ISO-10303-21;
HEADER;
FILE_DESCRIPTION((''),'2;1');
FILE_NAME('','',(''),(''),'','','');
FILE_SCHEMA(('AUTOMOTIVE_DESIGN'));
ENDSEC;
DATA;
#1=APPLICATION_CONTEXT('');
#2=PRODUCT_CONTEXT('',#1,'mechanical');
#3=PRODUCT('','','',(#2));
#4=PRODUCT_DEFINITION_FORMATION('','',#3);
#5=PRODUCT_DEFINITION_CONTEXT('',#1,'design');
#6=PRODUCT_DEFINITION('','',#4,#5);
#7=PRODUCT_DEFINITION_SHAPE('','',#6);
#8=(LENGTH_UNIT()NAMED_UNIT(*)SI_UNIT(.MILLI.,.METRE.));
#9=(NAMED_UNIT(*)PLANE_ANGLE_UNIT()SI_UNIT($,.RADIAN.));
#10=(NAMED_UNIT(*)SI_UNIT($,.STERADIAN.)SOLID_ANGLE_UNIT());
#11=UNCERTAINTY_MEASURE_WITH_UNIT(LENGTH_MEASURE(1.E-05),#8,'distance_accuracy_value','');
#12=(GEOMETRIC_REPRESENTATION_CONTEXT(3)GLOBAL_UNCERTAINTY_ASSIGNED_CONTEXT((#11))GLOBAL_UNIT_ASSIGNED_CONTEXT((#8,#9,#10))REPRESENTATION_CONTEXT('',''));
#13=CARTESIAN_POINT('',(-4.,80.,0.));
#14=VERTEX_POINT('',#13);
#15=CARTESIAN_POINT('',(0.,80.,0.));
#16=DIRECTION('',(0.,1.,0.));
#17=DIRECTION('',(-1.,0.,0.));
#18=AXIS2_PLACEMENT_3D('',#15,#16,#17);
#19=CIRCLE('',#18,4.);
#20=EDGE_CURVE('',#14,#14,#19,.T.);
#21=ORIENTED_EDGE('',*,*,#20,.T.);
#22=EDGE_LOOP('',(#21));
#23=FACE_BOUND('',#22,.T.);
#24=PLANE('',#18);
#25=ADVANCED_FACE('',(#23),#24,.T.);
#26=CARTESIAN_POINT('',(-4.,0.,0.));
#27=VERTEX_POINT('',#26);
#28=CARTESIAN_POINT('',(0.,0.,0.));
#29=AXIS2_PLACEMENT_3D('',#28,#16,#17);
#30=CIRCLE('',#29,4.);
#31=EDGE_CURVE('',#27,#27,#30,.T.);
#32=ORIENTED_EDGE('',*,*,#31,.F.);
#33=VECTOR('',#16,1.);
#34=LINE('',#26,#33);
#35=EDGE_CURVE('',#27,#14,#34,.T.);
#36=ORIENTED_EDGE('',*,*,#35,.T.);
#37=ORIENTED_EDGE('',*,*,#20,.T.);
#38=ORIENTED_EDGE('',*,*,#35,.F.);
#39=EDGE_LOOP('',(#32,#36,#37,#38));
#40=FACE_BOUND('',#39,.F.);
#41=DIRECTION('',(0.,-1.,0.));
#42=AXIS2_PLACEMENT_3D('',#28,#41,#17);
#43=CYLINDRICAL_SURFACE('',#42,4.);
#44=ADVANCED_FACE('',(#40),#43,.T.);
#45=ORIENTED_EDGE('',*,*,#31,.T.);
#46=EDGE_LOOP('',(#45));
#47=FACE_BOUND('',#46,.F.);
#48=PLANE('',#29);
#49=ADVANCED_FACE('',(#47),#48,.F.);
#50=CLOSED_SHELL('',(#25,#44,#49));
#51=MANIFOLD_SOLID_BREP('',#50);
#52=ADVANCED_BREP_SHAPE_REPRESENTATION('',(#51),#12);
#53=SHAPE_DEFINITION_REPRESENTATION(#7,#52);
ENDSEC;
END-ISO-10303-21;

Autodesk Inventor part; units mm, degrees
ref_plane "YZ Plane" through (0, 0, 0) normal (1, 0, 0) x (0, 1, 0)
ref_plane "XZ Plane" through (0, 0, 0) normal (0, 1, 0) x (-1, 0, 0)
ref_plane "XY Plane" through (0, 0, 0) normal (0, 0, 1) x (1, 0, 0)
sketch "Boceto1" plane through (0, 0, 0) normal (0, 1, 0) x (-1, 0, 0)
  circle A0 centre (0, 0) radius 4
  dimension "d0" = 8
extrude "Extrusión1" add sketch "Boceto1" along normal blind 80
properties part number "8x80 mm axis"
